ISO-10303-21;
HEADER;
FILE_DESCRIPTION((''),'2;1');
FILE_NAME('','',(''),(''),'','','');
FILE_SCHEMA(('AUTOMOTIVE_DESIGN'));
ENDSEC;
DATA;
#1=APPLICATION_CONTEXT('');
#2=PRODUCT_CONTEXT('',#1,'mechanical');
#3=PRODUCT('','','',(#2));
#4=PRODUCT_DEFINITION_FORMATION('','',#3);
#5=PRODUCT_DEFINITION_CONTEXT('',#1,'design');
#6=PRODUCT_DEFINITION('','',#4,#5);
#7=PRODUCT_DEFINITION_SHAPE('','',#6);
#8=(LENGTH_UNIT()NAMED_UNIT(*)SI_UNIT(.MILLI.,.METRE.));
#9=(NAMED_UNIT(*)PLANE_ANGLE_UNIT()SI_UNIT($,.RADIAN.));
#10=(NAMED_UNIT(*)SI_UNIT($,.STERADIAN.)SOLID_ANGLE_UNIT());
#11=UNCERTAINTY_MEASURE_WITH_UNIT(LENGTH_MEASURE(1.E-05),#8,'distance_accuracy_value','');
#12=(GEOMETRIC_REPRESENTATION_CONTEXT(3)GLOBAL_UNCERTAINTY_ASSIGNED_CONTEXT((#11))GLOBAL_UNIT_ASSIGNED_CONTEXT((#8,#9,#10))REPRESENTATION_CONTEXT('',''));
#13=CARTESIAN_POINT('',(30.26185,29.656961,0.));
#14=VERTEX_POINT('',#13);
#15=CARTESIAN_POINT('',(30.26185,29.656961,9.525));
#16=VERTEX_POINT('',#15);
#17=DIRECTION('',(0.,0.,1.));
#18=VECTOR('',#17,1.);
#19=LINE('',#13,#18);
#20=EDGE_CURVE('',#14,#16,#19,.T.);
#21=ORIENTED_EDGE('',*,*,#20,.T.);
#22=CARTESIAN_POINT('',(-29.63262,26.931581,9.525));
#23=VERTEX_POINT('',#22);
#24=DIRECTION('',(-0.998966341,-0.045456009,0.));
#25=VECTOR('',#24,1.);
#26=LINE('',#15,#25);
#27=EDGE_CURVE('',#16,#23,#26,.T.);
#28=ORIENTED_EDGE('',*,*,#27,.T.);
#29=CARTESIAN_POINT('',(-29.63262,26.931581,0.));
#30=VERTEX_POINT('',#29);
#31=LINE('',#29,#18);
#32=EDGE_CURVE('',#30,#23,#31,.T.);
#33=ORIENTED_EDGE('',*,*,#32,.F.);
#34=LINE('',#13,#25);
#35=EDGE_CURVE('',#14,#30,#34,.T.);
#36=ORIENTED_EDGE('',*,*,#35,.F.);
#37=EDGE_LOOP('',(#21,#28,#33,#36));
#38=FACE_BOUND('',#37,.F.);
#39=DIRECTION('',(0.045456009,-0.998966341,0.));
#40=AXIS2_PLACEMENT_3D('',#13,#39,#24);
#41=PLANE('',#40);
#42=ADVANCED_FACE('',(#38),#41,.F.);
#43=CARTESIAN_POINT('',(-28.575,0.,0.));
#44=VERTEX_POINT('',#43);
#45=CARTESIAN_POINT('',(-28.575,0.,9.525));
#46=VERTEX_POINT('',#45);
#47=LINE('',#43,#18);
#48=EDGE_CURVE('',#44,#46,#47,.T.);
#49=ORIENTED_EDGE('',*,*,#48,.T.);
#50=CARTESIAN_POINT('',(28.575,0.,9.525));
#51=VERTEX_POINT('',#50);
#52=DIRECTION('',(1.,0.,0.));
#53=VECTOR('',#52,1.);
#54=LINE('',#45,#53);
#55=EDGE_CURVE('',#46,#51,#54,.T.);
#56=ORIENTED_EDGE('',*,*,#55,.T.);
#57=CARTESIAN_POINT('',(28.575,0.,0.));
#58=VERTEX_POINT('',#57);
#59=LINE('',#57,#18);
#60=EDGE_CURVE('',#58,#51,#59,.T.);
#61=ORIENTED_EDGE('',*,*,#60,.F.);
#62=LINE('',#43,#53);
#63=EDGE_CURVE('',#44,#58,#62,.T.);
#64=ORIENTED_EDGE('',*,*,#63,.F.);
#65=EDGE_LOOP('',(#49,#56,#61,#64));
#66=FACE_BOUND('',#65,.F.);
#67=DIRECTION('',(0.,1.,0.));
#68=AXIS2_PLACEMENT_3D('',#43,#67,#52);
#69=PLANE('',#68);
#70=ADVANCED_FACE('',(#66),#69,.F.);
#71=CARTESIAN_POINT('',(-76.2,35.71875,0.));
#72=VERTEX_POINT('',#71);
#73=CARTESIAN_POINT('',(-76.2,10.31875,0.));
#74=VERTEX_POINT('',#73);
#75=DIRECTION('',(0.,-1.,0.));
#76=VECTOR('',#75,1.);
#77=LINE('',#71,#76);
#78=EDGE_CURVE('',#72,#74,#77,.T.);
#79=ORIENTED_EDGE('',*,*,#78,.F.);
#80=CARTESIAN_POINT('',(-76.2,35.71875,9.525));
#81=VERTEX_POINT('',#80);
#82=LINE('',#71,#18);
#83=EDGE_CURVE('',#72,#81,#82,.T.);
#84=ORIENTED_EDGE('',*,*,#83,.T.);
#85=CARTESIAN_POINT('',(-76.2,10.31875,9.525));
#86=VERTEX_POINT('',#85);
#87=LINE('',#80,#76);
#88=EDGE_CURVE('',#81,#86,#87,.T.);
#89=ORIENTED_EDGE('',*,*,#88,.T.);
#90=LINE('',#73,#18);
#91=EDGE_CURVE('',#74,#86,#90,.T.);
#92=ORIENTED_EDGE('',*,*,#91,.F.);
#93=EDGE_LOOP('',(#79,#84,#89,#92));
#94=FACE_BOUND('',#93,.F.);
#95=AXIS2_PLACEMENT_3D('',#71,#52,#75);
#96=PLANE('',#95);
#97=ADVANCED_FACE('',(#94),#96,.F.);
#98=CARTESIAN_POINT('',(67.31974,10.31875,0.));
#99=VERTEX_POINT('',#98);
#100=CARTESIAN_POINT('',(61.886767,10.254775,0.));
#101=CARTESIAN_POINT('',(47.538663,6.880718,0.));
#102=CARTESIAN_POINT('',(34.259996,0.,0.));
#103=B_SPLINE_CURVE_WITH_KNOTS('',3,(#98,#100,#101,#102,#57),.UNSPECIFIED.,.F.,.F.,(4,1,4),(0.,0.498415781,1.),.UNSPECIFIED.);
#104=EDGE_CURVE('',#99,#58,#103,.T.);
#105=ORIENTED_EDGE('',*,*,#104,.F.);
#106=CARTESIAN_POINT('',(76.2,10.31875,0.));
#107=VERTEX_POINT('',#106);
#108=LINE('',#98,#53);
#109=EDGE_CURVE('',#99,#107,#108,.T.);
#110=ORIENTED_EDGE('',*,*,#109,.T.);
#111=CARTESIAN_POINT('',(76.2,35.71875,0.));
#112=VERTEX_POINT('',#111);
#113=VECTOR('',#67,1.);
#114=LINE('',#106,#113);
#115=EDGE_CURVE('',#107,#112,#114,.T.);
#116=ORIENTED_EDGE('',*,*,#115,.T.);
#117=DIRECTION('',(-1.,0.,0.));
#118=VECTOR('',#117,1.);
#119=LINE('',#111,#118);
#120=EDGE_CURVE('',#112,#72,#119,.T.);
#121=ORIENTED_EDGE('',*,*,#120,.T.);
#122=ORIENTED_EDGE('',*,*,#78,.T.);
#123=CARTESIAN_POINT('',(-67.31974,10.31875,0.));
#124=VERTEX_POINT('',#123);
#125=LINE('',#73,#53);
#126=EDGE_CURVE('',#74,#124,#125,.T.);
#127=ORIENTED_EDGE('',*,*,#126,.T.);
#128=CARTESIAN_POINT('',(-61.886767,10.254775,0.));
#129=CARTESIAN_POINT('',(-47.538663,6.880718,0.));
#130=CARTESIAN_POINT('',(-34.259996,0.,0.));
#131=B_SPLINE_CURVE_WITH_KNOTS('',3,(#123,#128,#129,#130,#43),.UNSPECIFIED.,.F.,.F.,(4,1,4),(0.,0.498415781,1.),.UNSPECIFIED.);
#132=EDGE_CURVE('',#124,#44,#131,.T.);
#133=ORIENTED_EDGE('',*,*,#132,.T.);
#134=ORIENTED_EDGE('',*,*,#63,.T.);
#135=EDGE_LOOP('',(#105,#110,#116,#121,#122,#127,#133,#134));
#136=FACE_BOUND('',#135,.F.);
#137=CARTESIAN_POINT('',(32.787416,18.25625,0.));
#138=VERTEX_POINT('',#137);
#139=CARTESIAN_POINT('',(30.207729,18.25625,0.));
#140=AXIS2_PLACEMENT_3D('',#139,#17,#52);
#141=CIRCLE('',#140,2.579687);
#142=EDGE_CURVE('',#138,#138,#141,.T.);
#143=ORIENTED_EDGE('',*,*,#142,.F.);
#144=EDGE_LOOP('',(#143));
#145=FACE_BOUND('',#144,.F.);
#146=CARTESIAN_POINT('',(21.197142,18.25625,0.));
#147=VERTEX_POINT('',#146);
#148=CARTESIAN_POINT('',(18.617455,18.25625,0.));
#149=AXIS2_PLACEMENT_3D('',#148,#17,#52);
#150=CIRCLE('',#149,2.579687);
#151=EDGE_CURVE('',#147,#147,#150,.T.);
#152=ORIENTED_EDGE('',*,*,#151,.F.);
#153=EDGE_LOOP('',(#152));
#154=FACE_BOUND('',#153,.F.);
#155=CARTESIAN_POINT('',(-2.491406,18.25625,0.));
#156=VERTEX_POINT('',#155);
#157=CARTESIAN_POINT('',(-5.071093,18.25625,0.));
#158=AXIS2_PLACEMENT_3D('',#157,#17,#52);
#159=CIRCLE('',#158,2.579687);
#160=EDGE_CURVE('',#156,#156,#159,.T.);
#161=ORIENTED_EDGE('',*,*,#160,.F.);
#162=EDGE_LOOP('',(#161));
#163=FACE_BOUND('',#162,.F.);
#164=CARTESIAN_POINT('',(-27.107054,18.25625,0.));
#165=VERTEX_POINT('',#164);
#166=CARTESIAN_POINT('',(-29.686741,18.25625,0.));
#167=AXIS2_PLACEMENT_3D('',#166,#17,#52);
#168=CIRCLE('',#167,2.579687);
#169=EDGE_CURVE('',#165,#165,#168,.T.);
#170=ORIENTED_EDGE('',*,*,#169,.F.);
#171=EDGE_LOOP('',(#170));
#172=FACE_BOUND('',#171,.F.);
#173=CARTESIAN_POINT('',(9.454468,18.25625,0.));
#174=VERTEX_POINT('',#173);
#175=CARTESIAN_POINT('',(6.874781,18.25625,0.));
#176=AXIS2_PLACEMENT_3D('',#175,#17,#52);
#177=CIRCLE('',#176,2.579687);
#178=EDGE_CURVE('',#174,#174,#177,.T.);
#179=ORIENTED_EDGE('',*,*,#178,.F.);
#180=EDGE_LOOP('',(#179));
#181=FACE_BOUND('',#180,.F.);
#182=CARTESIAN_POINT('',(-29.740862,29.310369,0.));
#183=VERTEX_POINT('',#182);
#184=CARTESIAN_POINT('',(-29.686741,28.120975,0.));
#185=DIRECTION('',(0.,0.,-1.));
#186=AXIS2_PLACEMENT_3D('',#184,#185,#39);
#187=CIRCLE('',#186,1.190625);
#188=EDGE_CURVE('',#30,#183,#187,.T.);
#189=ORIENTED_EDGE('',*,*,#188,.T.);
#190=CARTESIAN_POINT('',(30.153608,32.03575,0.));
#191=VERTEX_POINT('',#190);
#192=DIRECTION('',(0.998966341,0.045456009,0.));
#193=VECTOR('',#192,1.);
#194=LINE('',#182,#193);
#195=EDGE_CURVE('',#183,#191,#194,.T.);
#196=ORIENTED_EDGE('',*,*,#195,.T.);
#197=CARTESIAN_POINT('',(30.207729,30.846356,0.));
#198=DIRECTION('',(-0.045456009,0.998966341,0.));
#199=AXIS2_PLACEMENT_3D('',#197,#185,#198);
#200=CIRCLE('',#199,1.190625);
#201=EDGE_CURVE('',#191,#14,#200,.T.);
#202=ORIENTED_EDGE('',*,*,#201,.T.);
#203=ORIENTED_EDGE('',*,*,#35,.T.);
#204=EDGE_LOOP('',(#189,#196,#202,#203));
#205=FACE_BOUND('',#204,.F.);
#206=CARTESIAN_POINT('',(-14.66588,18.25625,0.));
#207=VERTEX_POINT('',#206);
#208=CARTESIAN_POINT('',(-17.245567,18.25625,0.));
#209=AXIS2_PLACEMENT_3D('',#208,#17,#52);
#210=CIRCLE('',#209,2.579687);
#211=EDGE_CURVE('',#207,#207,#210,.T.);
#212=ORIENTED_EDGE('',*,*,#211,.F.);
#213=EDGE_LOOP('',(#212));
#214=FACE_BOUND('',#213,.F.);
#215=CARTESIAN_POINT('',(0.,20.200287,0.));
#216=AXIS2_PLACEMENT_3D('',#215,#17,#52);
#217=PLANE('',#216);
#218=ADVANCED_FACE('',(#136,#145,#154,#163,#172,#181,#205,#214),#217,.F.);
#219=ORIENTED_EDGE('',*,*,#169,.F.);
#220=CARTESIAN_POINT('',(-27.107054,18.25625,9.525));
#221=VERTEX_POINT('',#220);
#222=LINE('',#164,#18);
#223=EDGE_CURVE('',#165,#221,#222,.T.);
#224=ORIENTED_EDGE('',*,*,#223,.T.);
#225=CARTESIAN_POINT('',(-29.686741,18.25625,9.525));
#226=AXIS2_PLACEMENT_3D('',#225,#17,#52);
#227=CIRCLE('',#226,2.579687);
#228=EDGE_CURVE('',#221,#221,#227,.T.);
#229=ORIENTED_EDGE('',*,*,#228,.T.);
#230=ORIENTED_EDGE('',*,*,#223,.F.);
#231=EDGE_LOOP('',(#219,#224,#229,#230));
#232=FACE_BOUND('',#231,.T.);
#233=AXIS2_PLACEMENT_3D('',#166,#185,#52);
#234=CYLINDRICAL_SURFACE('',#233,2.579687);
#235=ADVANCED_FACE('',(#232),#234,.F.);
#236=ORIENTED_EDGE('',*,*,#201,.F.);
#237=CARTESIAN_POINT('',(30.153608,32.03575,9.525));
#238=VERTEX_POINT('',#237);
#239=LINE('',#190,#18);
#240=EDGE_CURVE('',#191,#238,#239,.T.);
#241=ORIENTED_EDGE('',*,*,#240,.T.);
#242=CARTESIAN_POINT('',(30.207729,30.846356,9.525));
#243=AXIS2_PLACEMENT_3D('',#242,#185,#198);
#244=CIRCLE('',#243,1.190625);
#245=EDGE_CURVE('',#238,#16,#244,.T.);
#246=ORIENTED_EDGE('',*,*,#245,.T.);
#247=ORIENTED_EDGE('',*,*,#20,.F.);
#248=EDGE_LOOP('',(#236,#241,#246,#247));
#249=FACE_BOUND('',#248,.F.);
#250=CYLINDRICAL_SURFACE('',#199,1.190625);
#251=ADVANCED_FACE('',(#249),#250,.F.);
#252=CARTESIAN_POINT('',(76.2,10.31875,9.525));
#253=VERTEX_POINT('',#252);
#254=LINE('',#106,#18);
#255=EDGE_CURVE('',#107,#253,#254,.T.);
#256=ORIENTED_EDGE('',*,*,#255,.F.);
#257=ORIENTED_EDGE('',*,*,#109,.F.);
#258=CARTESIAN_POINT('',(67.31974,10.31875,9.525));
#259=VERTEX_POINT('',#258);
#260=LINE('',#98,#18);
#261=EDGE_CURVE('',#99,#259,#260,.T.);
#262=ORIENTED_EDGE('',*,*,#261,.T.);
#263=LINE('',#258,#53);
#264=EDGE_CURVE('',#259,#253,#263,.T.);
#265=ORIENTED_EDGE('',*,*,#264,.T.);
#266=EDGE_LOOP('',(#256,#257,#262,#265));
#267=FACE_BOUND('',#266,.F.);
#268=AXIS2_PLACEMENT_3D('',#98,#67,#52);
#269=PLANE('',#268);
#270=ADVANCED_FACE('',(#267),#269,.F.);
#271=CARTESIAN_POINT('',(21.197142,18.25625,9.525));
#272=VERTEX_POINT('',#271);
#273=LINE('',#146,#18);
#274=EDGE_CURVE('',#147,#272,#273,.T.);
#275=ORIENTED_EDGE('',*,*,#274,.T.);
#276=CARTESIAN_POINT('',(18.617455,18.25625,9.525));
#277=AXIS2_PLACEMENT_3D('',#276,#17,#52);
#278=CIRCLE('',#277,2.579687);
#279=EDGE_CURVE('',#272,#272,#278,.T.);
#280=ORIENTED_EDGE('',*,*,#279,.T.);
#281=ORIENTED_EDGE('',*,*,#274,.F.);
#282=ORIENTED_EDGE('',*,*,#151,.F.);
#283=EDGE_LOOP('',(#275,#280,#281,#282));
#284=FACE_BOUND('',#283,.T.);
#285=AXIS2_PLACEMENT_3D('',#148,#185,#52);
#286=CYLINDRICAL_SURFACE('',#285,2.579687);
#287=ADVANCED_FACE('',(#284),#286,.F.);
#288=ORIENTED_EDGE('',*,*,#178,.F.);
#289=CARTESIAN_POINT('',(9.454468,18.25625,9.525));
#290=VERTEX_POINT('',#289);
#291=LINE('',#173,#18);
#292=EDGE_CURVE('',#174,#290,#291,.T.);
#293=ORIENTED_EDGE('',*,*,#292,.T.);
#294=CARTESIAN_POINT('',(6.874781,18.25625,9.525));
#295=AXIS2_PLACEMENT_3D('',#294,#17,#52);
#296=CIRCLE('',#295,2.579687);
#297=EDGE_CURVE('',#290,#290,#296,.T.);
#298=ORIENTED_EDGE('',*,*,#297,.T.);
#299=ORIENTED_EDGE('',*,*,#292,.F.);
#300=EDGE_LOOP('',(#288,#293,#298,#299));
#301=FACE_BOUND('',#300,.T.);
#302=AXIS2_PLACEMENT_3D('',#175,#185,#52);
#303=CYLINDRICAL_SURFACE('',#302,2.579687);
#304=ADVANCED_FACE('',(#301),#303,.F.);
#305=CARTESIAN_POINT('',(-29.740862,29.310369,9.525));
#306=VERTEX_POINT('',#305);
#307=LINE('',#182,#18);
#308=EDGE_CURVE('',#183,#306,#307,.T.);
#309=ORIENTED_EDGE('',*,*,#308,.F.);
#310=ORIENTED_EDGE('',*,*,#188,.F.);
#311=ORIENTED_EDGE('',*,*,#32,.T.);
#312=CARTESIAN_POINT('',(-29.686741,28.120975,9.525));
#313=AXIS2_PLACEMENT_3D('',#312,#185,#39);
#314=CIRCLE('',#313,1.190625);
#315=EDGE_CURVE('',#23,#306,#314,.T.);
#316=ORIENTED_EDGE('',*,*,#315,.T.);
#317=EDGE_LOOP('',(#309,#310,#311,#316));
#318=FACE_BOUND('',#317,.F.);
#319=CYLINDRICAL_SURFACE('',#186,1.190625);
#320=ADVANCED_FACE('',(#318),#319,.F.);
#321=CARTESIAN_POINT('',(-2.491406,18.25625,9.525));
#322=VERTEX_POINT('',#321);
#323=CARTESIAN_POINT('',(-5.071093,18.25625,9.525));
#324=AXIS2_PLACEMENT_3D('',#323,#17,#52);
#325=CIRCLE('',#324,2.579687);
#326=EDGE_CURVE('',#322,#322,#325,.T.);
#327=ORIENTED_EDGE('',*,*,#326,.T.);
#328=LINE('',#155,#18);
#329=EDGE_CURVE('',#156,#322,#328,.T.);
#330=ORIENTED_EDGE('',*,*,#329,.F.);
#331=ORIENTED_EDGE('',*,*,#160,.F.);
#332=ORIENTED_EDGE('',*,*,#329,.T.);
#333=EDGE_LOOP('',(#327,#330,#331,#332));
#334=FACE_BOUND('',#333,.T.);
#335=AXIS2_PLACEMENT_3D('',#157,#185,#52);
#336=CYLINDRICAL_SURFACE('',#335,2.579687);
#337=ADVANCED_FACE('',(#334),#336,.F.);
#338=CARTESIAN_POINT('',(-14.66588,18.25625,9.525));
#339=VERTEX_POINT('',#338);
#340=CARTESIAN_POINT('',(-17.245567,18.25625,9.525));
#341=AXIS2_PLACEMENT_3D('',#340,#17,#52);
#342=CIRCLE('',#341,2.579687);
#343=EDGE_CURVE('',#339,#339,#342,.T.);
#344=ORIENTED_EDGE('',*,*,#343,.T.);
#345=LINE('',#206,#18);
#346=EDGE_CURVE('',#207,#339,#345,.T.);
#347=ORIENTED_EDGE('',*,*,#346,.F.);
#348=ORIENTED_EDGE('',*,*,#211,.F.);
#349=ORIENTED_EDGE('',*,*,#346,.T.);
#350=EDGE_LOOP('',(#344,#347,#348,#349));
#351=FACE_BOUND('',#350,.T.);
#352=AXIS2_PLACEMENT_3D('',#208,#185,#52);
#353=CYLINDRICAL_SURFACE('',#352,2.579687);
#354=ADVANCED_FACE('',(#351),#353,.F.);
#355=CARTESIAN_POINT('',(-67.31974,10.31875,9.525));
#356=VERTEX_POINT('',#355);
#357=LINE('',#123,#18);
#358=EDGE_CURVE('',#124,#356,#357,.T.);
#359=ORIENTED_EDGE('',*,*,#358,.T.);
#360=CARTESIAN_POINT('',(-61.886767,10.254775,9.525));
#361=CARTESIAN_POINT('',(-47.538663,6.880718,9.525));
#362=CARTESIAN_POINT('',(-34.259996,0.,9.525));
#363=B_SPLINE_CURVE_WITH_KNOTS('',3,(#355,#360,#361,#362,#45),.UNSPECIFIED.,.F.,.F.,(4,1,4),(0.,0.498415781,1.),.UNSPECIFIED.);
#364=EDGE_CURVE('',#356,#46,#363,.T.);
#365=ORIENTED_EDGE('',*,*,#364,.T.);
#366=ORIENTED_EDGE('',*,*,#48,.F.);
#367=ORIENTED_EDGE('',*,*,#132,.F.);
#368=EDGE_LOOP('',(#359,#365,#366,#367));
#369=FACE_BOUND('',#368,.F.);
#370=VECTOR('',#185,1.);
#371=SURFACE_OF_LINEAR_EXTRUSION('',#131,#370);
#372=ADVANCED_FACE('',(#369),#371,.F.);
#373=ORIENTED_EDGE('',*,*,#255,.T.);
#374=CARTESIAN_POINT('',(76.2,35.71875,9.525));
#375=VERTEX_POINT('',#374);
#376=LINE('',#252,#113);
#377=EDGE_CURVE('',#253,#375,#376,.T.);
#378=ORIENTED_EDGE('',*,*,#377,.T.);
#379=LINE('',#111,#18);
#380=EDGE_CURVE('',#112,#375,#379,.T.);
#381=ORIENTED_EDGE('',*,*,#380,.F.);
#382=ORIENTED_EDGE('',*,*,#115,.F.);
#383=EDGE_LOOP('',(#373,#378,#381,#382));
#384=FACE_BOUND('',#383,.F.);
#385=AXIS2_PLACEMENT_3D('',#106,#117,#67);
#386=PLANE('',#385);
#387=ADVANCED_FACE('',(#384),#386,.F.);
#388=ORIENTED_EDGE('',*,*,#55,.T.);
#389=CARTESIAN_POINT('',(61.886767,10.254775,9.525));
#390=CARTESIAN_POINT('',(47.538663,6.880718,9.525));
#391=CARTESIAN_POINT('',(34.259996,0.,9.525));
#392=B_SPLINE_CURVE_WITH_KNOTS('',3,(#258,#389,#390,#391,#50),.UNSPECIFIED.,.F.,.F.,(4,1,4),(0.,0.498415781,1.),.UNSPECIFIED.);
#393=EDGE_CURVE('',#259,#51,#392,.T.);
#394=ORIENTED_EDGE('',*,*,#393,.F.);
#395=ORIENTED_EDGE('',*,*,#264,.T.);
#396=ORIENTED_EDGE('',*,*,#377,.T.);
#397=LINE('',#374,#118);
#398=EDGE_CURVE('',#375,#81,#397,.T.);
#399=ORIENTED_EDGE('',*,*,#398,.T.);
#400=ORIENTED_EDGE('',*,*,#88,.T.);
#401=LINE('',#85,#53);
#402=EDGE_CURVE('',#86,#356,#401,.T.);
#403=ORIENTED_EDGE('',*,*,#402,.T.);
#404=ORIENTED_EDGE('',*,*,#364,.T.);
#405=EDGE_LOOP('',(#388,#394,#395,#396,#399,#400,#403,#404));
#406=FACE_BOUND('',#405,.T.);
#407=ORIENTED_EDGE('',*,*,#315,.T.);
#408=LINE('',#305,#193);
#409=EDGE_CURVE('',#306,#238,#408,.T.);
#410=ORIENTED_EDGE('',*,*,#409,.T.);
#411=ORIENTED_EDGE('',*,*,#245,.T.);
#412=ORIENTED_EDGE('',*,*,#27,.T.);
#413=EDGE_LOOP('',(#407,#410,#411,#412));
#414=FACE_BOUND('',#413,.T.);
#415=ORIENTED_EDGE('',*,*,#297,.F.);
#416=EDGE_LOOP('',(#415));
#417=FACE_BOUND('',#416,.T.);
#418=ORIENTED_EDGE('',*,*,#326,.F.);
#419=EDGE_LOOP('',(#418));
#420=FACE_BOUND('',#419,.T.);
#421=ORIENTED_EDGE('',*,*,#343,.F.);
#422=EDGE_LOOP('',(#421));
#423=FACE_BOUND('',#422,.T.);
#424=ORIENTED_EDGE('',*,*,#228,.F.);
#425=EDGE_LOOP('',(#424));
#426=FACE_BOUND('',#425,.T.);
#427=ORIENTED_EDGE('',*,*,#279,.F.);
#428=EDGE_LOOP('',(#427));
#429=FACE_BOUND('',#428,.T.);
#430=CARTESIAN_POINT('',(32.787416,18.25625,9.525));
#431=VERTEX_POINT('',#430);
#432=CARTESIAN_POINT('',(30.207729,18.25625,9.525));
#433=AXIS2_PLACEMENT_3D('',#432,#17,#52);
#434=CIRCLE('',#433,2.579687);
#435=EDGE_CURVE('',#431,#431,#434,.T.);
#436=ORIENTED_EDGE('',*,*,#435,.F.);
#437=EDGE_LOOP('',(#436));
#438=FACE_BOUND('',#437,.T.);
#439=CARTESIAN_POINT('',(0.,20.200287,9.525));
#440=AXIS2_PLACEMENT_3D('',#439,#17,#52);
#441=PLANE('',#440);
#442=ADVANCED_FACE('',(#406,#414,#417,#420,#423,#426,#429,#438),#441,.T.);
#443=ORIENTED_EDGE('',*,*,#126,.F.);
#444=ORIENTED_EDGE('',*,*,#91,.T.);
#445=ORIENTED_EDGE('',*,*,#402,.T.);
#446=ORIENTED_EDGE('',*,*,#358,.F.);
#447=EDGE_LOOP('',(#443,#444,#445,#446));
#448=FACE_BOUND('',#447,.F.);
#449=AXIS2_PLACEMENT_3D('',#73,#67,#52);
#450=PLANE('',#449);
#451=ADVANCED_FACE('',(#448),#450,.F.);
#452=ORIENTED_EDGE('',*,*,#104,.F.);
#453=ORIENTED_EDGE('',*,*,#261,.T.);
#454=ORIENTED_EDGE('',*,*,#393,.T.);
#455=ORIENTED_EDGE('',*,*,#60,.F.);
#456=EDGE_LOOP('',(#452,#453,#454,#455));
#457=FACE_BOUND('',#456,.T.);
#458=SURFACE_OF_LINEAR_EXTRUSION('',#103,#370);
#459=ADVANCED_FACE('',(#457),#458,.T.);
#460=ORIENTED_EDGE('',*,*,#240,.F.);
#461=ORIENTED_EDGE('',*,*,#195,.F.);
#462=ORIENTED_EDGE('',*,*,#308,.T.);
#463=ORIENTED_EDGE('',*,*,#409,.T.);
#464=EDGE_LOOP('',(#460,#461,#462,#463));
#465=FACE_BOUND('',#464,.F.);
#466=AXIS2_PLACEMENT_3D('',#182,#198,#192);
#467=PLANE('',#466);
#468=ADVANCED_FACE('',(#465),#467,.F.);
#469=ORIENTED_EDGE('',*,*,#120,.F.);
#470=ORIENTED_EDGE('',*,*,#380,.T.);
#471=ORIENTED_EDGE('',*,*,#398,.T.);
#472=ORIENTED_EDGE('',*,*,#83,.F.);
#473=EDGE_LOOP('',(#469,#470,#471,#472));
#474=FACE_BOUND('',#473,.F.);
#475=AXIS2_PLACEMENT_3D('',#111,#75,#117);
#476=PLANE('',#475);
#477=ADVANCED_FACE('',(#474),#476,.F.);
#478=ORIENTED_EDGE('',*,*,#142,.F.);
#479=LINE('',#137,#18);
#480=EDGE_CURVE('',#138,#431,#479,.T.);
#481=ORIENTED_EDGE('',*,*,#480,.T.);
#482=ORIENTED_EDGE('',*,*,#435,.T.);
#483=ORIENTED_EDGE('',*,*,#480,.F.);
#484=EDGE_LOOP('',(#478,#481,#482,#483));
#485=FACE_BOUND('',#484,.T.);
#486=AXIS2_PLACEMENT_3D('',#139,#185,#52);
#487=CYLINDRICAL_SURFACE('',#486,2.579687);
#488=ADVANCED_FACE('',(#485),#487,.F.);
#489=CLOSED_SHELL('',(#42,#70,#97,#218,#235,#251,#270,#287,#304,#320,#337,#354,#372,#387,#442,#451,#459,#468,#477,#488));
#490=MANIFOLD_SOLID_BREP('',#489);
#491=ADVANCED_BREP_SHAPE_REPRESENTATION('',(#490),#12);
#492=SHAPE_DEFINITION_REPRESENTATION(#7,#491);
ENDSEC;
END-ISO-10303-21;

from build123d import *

# Parameters (mm, degrees)
F0_R     = 2.5796875
F1_DEPTH = 9.525


with BuildPart() as f1:
    # F0 (on Top) → F1 (new body)
    with BuildSketch(Plane.XY):
        with BuildLine():
            Line((76.2, 35.71875), (0, 35.71875))
            Line((0, 35.71875), (-76.2, 35.71875))
            Line((-76.2, 35.71875), (-76.2, 10.31875))
            Line((-76.2, 10.31875), (-67.3197399736, 10.31875))
            add(Edge.make_bspline(
                [(-67.3197399736, 10.31875), (-61.8867674924, 10.2547754123), (-47.5386632194, 6.8807184355), (-34.2599964973, 0), (-28.575, 0)],
                knots=[0, 0, 0, 0, 0.4984157806, 1, 1, 1, 1], degree=3))
            Line((-28.575, 0), (0, 0))
            Line((0, 0), (28.575, 0))
            add(Edge.make_bspline(
                [(67.3197399736, 10.31875), (61.8867674924, 10.2547754123), (47.5386632194, 6.8807184355), (34.2599964973, 0), (28.575, 0)],
                knots=[0, 0, 0, 0, 0.4984157806, 1, 1, 1, 1], degree=3))
            Line((67.3197399736, 10.31875), (76.2, 10.31875))
            Line((76.2, 10.31875), (76.2, 35.71875))
        make_face()
        with Locations((-29.6867411598, 18.25625)):
            Circle(F0_R, mode=Mode.SUBTRACT)
        with Locations((-17.2455671598, 18.25625)):
            Circle(F0_R, mode=Mode.SUBTRACT)
        with Locations((-5.0710931598, 18.25625)):
            Circle(F0_R, mode=Mode.SUBTRACT)
        with Locations((6.8747808402, 18.25625)):
            Circle(F0_R, mode=Mode.SUBTRACT)
        with Locations((18.6174548402, 18.25625)):
            Circle(F0_R, mode=Mode.SUBTRACT)
        with Locations((30.2077288402, 18.25625)):
            Circle(F0_R, mode=Mode.SUBTRACT)
        with BuildLine():
            ThreePointArc((-29.6326200987, 26.9315806998), (-30.87613546, 28.0668539389), (-29.7408622209, 29.3103693002))
            Line((-29.7408622209, 29.3103693002), (30.1536077791, 32.03575))
            ThreePointArc((30.1536077791, 32.03575), (31.3971231404, 30.9004767609), (30.2618499013, 29.6569613996))
            Line((30.2618499013, 29.6569613996), (-29.6326200987, 26.9315806998))
        make_face(mode=Mode.SUBTRACT)
    extrude(amount=F1_DEPTH)


solid = f1.part
